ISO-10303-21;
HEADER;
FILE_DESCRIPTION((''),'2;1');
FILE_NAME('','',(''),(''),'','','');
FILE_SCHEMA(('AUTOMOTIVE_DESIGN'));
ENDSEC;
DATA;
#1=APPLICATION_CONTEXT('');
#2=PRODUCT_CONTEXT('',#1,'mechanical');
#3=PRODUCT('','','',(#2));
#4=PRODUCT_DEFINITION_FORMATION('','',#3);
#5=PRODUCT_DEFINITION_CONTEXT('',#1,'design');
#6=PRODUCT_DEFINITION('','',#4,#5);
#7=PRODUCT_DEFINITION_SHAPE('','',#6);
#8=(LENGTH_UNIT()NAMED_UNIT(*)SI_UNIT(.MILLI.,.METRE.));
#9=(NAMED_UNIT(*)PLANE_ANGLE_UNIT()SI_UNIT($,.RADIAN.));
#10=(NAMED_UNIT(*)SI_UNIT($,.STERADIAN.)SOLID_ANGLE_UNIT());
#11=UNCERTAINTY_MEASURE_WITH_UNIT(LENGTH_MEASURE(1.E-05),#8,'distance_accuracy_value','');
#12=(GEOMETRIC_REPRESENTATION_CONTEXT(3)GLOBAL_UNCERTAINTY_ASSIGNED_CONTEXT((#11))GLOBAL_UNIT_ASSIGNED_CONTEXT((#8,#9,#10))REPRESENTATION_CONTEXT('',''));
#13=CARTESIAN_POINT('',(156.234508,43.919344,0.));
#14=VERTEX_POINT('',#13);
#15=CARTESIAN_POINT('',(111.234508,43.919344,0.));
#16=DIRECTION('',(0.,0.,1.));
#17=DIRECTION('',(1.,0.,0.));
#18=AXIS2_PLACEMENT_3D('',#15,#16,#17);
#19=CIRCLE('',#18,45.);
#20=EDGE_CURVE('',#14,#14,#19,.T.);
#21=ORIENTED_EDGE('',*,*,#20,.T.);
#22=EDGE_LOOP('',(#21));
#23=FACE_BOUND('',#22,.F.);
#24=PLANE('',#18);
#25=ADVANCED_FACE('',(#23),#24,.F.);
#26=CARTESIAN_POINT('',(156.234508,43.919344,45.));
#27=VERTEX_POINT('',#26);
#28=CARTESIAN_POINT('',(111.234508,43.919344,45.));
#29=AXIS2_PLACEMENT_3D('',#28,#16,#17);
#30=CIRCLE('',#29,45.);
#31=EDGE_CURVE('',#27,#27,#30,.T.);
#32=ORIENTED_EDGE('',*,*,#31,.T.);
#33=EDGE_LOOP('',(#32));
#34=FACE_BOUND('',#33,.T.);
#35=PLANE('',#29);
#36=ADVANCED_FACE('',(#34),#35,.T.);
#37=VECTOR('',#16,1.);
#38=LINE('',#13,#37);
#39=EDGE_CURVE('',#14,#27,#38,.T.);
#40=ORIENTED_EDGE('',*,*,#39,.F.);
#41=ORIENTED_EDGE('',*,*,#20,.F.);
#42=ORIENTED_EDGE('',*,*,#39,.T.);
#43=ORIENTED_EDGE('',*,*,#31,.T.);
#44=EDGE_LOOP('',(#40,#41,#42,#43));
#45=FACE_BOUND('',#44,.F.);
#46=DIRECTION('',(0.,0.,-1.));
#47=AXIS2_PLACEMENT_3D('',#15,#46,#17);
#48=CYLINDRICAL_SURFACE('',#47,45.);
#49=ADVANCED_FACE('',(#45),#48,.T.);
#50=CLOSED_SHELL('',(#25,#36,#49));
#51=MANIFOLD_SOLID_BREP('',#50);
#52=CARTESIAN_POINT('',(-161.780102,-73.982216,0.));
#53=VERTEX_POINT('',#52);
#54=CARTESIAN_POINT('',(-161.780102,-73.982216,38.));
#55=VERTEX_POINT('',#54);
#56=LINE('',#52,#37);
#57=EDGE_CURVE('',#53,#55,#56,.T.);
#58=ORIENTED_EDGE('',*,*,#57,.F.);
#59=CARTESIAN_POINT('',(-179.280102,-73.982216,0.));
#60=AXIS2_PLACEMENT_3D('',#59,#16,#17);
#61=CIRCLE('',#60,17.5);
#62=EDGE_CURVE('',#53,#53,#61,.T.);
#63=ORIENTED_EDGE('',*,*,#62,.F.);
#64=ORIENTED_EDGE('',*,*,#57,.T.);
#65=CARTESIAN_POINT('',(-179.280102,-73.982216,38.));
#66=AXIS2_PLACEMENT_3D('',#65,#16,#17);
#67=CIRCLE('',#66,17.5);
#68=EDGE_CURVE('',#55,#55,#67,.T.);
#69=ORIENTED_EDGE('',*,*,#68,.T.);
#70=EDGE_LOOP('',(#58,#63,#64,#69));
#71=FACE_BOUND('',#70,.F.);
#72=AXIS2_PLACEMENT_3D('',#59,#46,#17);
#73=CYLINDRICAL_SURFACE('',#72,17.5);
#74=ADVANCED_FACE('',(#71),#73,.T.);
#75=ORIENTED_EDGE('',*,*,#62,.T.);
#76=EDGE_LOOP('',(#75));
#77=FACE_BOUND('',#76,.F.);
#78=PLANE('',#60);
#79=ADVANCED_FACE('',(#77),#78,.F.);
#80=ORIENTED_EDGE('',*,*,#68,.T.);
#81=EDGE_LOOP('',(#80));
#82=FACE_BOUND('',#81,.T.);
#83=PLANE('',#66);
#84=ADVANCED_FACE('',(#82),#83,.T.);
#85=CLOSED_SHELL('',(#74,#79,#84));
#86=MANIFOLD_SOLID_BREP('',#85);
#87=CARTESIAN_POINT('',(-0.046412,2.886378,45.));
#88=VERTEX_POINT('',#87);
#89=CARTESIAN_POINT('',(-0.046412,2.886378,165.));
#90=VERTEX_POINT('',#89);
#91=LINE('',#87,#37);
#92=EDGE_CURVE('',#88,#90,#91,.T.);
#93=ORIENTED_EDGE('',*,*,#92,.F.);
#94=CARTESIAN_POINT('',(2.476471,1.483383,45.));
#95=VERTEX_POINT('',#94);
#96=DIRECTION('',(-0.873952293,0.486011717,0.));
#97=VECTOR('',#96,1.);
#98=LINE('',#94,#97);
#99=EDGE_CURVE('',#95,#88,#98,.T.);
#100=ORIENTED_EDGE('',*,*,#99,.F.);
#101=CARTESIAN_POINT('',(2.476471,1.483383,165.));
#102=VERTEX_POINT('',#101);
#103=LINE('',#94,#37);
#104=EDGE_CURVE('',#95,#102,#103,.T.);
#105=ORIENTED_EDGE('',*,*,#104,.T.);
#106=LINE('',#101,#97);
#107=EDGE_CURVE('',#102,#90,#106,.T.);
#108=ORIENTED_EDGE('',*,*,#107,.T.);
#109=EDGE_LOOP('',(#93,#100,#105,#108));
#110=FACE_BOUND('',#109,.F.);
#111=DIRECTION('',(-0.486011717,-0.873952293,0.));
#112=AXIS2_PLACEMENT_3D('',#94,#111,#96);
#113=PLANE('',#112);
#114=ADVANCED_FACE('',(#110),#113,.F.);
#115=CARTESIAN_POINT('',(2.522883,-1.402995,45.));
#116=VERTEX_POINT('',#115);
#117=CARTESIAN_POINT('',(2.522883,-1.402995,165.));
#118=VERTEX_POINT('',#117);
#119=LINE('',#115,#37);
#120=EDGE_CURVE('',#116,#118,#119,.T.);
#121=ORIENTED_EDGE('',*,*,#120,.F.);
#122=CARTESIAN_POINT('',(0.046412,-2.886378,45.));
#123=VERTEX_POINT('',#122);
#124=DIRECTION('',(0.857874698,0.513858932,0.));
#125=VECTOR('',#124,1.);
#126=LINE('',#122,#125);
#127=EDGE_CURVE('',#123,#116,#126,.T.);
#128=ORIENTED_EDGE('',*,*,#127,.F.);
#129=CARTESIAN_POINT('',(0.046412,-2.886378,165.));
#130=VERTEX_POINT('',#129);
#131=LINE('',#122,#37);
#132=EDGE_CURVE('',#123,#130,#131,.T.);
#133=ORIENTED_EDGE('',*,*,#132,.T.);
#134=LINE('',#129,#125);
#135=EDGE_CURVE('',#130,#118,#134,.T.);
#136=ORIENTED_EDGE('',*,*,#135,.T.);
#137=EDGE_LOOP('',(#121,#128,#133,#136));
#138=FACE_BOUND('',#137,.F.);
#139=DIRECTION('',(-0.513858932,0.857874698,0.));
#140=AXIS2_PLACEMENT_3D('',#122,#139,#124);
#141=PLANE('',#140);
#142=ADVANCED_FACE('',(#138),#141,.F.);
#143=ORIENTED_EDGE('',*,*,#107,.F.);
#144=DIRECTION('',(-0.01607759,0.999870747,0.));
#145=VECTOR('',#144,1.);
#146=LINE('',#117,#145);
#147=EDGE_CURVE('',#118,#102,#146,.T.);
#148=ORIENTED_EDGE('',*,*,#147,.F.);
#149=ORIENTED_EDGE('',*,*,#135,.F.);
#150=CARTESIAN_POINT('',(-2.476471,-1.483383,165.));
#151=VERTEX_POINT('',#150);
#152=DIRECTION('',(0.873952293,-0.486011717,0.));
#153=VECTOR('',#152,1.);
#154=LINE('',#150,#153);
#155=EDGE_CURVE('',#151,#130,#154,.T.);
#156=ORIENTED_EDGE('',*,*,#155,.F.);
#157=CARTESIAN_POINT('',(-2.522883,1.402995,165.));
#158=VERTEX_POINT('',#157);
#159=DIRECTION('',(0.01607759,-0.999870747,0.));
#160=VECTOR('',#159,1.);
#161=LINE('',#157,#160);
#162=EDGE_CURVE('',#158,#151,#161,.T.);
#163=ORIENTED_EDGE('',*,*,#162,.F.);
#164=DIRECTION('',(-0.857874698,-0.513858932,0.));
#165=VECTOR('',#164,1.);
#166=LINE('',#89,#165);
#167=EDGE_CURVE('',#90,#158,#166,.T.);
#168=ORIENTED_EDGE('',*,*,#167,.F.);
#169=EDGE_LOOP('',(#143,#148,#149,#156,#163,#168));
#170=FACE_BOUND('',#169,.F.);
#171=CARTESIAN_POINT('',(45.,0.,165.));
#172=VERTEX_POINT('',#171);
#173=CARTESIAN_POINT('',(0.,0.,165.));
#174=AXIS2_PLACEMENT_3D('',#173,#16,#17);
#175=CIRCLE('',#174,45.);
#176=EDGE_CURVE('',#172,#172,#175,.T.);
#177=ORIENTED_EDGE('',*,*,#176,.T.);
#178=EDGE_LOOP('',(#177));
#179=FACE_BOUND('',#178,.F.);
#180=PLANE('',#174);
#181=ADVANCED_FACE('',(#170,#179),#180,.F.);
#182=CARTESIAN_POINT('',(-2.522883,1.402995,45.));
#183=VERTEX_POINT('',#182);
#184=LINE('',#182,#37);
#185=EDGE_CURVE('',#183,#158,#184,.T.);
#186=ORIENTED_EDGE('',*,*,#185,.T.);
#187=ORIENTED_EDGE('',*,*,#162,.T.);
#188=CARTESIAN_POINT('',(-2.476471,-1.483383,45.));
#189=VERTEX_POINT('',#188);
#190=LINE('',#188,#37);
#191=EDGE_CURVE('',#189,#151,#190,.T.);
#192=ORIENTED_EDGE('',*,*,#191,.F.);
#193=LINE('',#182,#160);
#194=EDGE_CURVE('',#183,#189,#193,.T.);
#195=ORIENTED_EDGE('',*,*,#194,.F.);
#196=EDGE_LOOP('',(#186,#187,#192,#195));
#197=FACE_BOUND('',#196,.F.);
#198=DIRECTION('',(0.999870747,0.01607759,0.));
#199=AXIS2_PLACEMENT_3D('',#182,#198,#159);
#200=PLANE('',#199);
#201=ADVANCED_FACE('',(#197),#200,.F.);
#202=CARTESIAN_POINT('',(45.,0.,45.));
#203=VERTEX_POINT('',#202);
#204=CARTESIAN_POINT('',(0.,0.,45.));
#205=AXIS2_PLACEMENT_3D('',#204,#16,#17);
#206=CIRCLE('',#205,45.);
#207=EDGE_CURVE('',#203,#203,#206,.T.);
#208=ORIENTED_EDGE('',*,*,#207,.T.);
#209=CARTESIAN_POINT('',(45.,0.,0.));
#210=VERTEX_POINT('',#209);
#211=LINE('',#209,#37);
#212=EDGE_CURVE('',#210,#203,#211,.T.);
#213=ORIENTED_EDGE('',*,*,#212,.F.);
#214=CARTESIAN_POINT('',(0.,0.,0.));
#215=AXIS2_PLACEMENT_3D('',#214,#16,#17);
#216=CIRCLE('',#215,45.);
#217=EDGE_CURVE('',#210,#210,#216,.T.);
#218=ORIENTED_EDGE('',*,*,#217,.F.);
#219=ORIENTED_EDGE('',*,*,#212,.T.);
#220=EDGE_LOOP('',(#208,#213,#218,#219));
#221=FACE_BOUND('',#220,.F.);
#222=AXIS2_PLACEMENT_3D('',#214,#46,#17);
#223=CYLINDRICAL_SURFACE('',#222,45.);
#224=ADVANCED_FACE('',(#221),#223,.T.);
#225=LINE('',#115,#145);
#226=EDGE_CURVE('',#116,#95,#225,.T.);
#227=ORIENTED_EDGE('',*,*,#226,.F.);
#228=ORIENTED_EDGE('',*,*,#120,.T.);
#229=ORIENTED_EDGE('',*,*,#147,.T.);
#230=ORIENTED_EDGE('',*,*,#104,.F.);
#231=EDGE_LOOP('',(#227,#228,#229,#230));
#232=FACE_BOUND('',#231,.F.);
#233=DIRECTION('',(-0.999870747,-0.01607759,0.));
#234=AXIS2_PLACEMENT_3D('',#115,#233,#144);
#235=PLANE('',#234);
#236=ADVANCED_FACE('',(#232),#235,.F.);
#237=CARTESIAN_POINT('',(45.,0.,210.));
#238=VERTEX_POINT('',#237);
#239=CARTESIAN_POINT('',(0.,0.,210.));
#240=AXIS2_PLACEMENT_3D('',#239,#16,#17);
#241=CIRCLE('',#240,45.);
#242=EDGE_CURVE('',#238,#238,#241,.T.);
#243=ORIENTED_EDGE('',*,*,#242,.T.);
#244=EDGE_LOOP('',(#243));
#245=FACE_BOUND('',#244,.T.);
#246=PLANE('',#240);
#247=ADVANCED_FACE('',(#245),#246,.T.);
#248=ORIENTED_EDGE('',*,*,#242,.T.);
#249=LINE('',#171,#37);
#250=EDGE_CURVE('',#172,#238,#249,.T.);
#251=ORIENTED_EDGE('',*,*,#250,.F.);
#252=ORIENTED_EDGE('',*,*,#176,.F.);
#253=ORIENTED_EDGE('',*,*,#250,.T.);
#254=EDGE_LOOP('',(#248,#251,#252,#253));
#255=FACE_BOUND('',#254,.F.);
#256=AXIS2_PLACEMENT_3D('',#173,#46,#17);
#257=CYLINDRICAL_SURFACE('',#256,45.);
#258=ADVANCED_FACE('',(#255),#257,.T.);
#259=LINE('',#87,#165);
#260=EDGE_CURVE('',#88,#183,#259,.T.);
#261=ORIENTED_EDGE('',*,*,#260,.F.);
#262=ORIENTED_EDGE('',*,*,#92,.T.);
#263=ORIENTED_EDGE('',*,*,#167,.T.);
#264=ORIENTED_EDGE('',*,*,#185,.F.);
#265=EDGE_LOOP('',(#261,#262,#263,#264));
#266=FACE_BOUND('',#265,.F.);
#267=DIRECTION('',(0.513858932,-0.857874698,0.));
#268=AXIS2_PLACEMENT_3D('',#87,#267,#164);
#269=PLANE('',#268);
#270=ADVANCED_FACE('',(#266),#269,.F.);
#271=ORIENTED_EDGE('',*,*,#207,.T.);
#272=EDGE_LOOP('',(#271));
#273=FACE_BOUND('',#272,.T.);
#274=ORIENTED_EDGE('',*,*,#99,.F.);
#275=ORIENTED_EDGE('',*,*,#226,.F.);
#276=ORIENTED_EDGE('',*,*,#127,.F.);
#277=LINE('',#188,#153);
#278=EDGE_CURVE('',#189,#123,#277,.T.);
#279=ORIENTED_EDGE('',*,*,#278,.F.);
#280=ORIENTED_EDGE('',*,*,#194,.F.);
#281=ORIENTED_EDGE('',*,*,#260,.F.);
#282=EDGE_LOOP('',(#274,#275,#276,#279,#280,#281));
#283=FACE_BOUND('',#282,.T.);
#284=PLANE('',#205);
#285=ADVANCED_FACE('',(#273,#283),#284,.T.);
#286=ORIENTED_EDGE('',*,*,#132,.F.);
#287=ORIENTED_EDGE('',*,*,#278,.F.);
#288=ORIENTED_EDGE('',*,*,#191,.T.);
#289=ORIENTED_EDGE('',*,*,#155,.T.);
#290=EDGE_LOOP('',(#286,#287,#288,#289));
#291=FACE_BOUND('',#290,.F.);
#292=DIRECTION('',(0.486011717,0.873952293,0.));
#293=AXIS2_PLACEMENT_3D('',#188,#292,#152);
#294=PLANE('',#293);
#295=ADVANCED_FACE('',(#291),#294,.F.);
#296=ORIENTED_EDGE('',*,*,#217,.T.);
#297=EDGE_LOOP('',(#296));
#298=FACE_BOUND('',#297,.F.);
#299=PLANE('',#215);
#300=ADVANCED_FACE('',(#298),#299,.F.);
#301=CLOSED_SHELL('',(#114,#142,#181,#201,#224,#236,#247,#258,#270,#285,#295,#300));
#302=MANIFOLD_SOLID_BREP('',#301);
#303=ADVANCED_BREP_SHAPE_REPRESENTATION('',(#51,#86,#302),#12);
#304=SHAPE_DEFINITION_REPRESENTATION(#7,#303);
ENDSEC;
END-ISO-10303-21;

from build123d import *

# Parameters (mm, degrees)
F0_R     = 45
F1_DEPTH = 45
F3_DEPTH = 120
F4_R     = 45
F5_DEPTH = 45
F6_R     = 45
F7_DEPTH = 45
F8_R     = 17.5
F9_DEPTH = 38


with BuildPart() as f1:
    # F0 (on Top) → F1 (new body)
    with BuildSketch(Plane.XY):
        Circle(F0_R)
    extrude(amount=F1_DEPTH)

    # F2 (on face) → F3 (join)
    with BuildSketch(Plane.XY.offset(45)):
        Polygon((2.476471, 1.483383), (-0.046412, 2.886378), (-2.522883, 1.402995), (-2.476471, -1.483383), (0.046412, -2.886378), (2.522883, -1.402995), align=None)
    extrude(amount=F3_DEPTH)

    # F4 (on face) → F5 (join)
    with BuildSketch(Plane.XY.offset(165)):
        Circle(F4_R)
    extrude(amount=F5_DEPTH)


with BuildPart() as f7:
    # F6 (on Top) → F7 (new body)
    with BuildSketch(Plane.XY):
        with Locations((111.234508, 43.919344)):
            Circle(F6_R)
    extrude(amount=F7_DEPTH)


with BuildPart() as f9:
    # F8 (on Top) → F9 (new body)
    with BuildSketch(Plane.XY):
        with Locations((-179.280102, -73.982216)):
            Circle(F8_R)
    extrude(amount=F9_DEPTH)


solid = Compound([f1.part, f7.part, f9.part])
